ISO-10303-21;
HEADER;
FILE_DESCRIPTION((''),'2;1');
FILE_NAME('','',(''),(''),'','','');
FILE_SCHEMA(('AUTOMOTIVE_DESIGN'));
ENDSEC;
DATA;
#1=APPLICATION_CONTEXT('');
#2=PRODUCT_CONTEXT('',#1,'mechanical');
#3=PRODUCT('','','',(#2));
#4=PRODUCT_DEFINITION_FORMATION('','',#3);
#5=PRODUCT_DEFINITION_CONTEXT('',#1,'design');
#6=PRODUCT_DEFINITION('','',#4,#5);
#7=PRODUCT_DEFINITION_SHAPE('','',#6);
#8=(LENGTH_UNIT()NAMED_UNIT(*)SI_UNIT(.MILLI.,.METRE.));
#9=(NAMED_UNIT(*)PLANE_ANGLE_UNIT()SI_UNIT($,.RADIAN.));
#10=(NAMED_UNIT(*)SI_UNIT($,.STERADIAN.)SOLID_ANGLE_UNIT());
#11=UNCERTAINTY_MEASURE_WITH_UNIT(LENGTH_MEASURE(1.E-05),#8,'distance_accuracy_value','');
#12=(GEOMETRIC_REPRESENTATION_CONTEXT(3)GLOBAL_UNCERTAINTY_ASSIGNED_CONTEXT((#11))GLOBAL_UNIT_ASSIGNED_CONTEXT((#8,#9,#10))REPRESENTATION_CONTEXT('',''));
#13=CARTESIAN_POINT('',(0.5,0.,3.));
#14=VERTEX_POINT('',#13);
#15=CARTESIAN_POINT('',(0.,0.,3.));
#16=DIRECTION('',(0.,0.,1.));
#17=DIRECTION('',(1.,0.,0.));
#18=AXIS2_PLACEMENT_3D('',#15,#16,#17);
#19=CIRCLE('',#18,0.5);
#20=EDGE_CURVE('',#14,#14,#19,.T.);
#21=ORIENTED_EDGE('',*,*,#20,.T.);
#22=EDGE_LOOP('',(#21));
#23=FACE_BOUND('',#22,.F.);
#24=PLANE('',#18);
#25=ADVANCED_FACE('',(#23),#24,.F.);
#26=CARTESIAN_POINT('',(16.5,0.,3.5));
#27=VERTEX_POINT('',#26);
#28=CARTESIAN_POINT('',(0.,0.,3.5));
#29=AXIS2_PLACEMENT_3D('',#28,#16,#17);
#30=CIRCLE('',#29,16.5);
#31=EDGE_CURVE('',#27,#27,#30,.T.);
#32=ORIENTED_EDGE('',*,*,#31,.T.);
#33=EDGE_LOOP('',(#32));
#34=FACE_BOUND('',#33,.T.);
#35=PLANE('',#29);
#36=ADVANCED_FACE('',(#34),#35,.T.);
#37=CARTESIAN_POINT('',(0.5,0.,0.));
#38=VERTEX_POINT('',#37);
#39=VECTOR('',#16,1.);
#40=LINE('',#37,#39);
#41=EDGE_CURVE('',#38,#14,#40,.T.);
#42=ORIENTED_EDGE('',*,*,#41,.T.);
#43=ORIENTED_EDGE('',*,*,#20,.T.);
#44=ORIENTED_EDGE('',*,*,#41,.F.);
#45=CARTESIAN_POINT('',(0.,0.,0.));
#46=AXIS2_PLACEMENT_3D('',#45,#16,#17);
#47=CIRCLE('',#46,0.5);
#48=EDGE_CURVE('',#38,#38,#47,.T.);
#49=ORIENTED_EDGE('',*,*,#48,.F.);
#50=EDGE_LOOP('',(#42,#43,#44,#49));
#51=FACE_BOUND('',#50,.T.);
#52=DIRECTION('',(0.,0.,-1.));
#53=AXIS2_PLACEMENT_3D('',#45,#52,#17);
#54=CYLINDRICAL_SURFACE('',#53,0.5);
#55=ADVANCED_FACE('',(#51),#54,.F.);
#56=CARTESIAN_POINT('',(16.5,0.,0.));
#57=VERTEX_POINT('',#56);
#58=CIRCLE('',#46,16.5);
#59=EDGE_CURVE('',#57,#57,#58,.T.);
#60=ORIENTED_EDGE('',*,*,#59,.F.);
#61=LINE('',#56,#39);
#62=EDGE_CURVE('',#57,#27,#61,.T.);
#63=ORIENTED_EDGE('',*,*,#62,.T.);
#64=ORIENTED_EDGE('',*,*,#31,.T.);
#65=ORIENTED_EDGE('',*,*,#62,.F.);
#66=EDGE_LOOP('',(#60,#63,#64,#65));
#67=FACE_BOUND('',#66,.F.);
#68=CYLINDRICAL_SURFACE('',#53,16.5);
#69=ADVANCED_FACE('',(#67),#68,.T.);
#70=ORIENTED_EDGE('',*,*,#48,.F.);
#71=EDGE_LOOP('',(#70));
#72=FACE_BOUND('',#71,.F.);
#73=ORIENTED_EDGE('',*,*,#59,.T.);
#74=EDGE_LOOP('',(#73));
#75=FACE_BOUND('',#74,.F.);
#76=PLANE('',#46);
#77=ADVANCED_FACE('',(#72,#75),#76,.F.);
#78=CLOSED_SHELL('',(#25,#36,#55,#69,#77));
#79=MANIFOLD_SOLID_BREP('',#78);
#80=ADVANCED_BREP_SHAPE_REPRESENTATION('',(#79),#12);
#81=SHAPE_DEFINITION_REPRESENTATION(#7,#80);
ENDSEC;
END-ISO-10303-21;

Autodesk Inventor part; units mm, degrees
ref_plane "YZ Plane" through (0, 0, 0) normal (1, 0, 0) x (0, 1, 0)
ref_plane "XZ Plane" through (0, 0, 0) normal (0, 1, 0) x (-1, 0, 0)
ref_plane "XY Plane" through (0, 0, 0) normal (0, 0, 1) x (1, 0, 0)
sketch "スケッチ1" plane through (0, 0, 0) normal (0, 0, 1) x (1, 0, 0)
  circle A0 centre (0, 0) radius 16.5
  circle A1 centre (0, 0) radius 0.5
  dimension "d0" = 33
  dimension "d3" = 1
extrude "押し出し1" add sketch "スケッチ1" along normal blind 3.5 contours A0 | A1
extrude "押し出し2" cut sketch "スケッチ1" along normal blind 3 contours A1
properties part number "fan"
